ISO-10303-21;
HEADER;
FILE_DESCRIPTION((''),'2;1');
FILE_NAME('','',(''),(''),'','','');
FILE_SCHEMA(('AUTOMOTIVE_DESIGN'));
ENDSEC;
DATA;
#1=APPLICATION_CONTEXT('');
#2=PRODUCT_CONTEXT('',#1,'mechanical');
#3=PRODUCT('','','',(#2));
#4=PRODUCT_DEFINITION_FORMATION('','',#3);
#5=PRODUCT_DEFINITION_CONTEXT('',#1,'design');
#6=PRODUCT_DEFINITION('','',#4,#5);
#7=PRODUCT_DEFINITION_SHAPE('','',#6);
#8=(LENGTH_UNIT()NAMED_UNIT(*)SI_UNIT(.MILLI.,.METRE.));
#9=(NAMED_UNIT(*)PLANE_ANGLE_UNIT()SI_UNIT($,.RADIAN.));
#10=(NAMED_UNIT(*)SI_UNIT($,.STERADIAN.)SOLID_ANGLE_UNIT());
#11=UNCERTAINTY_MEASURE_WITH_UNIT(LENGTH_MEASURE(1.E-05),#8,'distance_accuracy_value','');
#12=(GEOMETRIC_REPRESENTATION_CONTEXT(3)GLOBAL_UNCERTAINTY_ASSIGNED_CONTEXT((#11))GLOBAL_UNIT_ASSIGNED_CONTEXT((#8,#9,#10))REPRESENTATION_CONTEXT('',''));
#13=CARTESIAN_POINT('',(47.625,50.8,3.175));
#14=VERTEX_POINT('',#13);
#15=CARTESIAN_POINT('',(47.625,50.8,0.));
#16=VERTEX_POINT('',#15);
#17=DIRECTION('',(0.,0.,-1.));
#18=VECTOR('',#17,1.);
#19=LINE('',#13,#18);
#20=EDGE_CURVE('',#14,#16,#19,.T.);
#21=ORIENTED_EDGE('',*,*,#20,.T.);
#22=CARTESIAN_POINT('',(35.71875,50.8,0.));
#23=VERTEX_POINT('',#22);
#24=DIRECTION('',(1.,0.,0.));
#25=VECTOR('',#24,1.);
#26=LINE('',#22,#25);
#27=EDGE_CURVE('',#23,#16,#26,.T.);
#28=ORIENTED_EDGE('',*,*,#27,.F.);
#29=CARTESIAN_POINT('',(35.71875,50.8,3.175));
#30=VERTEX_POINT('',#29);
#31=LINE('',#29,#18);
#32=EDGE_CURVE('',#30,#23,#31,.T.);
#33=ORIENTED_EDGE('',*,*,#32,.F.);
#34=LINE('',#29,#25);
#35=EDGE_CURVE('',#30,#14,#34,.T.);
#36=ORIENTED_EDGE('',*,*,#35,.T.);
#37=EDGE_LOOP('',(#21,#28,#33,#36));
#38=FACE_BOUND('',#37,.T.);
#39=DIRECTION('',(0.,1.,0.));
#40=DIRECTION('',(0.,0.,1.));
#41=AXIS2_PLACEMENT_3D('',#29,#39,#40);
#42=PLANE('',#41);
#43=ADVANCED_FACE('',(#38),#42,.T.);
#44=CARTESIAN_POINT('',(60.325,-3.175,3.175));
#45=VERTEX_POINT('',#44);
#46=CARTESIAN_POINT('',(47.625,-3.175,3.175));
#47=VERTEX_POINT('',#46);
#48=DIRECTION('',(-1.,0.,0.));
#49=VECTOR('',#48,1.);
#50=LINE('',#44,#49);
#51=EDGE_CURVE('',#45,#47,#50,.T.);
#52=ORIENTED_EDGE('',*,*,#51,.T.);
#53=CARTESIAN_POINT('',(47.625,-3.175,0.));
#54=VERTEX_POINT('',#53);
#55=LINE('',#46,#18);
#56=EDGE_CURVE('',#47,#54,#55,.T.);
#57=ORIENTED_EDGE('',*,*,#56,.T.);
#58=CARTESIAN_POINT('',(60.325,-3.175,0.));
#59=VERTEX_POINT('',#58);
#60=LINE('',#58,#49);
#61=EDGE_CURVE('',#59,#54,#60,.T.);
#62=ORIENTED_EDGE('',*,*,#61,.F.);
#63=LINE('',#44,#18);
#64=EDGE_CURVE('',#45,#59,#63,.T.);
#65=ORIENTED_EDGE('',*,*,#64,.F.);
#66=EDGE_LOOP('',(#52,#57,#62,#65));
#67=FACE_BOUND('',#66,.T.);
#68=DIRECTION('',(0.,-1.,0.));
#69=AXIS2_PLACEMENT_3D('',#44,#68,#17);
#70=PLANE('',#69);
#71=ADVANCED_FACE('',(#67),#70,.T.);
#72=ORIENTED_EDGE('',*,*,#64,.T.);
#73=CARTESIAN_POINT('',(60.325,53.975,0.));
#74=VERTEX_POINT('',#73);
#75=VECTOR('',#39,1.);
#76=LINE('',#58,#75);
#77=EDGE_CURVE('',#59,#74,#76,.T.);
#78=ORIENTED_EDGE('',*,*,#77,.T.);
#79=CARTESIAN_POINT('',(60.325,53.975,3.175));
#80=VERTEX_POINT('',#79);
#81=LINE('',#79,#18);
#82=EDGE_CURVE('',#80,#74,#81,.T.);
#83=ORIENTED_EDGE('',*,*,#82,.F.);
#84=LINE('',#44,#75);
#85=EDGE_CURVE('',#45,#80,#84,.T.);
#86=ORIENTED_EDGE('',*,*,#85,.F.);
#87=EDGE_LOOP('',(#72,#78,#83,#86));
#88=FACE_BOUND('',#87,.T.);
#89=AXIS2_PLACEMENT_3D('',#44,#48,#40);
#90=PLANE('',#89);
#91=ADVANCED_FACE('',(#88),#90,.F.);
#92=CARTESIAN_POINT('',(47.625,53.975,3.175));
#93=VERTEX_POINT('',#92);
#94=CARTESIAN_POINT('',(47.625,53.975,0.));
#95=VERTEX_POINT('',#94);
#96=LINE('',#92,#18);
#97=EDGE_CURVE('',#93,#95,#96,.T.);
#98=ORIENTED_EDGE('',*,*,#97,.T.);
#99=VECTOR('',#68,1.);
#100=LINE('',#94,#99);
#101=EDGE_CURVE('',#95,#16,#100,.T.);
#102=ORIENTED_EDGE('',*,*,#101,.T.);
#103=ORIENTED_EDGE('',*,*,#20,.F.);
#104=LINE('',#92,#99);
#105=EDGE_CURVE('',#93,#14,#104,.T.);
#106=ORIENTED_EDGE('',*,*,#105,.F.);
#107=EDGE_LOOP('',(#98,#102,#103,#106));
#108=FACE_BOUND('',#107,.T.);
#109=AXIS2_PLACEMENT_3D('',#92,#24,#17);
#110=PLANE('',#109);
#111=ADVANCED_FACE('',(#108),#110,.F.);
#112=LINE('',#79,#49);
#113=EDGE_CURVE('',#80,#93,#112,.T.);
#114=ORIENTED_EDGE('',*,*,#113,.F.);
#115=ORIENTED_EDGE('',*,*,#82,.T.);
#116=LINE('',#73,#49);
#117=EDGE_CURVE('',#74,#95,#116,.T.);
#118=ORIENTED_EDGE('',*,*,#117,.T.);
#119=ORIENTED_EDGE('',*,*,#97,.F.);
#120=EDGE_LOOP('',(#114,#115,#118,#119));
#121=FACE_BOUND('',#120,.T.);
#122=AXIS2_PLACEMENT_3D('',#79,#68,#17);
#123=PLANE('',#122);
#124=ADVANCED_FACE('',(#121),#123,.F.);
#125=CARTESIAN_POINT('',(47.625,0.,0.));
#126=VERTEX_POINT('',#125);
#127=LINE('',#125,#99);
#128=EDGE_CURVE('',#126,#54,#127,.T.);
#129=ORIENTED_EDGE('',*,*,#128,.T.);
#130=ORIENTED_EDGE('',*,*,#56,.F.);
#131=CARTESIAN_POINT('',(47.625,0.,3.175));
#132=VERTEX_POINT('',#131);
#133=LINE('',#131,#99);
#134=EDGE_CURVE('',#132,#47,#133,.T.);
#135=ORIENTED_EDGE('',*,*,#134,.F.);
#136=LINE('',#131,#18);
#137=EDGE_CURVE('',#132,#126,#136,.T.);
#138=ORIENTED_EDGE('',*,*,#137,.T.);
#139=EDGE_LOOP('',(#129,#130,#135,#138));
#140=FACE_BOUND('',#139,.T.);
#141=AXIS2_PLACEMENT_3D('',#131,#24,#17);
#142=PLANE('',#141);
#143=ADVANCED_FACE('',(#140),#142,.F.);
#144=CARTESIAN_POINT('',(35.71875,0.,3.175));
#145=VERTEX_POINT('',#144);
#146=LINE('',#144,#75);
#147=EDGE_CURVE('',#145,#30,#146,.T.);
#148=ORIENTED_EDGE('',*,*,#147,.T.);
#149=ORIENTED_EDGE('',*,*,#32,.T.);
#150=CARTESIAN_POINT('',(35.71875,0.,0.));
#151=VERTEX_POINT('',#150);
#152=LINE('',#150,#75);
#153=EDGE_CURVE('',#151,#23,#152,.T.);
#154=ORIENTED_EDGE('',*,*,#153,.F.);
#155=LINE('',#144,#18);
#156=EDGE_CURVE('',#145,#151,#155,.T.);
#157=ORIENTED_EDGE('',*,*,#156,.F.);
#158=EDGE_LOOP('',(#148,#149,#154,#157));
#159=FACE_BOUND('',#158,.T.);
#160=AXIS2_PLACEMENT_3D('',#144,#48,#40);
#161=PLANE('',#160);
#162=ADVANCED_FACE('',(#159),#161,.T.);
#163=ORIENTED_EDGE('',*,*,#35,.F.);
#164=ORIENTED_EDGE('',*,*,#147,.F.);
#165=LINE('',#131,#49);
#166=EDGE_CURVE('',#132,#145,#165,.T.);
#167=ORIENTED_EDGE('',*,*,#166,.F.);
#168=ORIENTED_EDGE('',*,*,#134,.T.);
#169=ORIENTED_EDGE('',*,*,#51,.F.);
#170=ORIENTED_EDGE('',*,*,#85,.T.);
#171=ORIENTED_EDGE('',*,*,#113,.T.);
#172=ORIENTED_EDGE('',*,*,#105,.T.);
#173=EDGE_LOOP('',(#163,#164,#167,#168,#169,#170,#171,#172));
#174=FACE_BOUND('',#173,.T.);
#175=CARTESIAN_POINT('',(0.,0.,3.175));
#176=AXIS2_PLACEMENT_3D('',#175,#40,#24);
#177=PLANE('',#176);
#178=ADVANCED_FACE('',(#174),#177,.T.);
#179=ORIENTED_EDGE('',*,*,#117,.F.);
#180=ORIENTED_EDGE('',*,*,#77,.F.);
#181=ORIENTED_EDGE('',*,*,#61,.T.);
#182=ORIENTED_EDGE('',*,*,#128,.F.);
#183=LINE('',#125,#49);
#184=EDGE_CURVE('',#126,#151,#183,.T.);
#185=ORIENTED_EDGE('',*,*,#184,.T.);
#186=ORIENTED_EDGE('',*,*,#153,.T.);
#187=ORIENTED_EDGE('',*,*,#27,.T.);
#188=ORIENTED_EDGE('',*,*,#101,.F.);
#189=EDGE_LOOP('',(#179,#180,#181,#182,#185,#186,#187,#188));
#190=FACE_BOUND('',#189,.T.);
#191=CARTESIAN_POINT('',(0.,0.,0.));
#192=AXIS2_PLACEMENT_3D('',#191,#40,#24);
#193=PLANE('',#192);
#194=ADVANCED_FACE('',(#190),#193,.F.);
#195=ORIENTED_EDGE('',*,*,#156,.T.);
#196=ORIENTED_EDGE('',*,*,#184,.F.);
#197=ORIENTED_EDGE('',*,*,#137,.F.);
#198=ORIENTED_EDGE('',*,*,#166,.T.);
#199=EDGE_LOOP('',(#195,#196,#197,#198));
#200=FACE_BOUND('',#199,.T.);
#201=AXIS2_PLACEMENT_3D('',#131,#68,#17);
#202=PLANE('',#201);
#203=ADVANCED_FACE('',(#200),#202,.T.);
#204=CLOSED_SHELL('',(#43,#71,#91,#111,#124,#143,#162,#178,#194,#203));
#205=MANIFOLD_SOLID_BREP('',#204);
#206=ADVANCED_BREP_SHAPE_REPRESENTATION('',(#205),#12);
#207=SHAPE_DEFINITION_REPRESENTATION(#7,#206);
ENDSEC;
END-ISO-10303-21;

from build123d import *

# Parameters (mm, degrees)
BOSS_EXTRUDE1_DEPTH = 3.175


with BuildPart() as part:
    # Sketch1 → Boss-Extrude1 (new body)
    with BuildSketch(Plane.XY):
        Polygon((60.325, -3.175), (47.625, -3.175), (47.625, 0), (35.71875, 0), (35.71875, 50.8), (47.625, 50.8), (47.625, 53.975), (60.325, 53.975), align=None)
    extrude(amount=BOSS_EXTRUDE1_DEPTH)


solid = part.part
